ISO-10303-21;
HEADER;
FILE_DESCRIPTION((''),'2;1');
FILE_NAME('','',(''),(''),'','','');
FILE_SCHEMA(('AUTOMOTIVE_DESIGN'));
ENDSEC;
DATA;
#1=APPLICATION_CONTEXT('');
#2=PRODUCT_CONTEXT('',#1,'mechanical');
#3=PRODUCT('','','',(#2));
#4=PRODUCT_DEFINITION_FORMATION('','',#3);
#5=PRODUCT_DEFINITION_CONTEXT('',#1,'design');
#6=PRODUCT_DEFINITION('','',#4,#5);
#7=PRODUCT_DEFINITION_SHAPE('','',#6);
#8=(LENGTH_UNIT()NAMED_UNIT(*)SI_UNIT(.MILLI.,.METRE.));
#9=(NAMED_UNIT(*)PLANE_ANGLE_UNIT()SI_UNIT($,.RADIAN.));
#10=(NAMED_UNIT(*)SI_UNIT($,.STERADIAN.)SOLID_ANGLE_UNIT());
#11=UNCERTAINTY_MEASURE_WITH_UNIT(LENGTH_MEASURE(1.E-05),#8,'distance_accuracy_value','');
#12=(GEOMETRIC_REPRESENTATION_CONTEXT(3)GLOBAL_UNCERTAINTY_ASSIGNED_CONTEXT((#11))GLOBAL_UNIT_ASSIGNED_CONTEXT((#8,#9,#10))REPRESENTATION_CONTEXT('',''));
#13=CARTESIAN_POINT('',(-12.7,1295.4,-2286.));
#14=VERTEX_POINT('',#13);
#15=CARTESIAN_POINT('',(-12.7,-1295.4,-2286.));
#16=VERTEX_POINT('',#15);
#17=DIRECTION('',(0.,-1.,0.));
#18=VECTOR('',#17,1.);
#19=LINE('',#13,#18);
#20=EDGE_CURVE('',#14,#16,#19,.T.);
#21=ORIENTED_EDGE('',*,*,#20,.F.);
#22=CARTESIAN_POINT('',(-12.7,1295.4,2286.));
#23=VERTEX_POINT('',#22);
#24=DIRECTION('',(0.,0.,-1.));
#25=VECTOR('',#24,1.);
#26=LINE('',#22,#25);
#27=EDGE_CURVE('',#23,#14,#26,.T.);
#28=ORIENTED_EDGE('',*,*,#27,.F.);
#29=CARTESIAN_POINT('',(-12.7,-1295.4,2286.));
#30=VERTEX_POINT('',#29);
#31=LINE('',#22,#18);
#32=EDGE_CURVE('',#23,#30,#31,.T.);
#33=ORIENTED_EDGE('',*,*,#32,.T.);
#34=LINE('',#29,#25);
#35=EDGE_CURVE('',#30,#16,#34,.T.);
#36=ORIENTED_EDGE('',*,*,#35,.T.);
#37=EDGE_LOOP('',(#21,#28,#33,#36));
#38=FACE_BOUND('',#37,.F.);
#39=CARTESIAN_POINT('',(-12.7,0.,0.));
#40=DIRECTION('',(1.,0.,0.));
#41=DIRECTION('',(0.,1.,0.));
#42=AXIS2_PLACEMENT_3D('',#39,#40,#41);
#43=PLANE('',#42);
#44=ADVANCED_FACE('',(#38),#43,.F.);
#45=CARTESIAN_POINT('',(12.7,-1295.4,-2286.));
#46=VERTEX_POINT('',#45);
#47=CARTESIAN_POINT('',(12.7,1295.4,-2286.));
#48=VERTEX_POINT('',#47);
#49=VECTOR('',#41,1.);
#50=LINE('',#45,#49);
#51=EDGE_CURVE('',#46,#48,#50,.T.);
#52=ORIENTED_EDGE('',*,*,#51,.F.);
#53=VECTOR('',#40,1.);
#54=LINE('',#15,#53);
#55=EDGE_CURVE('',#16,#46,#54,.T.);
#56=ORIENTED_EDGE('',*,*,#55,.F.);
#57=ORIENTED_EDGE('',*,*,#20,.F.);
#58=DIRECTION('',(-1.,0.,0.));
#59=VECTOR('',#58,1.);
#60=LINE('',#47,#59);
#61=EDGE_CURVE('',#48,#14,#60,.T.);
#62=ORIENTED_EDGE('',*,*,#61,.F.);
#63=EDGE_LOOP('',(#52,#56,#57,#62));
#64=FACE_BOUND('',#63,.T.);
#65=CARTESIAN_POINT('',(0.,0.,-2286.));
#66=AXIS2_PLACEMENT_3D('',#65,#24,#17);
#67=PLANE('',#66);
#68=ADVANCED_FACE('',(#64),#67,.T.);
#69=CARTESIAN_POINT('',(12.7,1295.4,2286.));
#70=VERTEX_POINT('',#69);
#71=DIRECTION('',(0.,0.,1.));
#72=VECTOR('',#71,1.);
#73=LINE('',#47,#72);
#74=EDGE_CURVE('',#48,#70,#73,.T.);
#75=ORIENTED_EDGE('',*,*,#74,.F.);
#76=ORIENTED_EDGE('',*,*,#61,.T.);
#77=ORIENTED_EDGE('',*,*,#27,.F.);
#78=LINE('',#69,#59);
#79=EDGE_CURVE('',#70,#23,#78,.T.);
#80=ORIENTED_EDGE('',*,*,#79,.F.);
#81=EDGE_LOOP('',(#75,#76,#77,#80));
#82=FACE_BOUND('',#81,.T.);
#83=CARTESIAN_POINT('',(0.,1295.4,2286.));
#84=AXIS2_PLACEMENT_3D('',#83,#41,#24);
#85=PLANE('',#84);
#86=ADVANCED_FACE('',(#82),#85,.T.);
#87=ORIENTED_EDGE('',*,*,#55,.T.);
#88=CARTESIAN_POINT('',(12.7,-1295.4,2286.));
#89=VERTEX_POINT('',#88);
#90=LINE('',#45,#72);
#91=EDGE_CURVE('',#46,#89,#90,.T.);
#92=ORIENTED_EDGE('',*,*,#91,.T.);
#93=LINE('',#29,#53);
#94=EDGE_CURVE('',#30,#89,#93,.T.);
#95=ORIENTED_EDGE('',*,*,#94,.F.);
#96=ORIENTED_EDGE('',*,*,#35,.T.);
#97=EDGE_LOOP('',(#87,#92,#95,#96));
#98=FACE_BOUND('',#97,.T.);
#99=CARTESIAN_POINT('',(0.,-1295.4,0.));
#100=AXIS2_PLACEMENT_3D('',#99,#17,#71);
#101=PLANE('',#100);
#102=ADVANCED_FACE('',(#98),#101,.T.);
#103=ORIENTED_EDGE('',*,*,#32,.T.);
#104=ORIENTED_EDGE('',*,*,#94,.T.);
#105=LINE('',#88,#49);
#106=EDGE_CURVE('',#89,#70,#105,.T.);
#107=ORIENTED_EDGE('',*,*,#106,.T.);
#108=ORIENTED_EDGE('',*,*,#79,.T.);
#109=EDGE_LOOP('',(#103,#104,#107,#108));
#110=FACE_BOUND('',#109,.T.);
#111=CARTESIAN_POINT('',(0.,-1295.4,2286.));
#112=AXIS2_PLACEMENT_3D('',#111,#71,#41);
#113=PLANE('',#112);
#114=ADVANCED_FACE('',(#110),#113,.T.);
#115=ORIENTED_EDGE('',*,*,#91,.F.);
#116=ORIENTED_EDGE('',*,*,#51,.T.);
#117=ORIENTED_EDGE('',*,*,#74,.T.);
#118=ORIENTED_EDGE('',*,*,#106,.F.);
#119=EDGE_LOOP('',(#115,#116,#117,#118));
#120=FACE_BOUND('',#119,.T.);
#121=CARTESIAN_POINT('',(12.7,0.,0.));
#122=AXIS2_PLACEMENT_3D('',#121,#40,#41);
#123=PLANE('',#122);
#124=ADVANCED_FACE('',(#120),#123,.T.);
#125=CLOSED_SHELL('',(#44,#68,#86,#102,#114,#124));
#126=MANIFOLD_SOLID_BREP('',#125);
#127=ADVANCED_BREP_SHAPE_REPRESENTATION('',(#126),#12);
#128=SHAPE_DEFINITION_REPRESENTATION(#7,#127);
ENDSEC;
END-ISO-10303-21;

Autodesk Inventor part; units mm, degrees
ref_plane "YZ Plane" through (0, 0, 0) normal (1, 0, 0) x (0, 1, 0)
ref_plane "XZ Plane" through (0, 0, 0) normal (0, 1, 0) x (-1, 0, 0)
ref_plane "XY Plane" through (0, 0, 0) normal (0, 0, 1) x (1, 0, 0)
sketch "Sketch1" plane through (0, 0, 0) normal (1, 0, 0) x (0, 1, 0)
  line L0 (-1295.4, 2286) -> (1295.4, 2286)
  line L1 (1295.4, 2286) -> (1295.4, -2286)
  line L2 (1295.4, -2286) -> (-1295.4, -2286)
  line L3 (-1295.4, -2286) -> (-1295.4, 2286)
  line L4 (0, 3200.4) -> (0, -3200.4) projected
  line L5 (-1813.56, 0) -> (1813.56, 0) projected
  line L6 (-1813.56, 0) -> (1813.56, 0) projected
  line L7 (0, -3200.4) -> (0, 3200.4) projected
  point P0 (0, 0)
  dimension "d0" = 2590.8
  dimension "d1" = 4572
extrude "Extrusion1" add sketch "Sketch1" along normal mid plane 25.4
properties part number "WestWall"
